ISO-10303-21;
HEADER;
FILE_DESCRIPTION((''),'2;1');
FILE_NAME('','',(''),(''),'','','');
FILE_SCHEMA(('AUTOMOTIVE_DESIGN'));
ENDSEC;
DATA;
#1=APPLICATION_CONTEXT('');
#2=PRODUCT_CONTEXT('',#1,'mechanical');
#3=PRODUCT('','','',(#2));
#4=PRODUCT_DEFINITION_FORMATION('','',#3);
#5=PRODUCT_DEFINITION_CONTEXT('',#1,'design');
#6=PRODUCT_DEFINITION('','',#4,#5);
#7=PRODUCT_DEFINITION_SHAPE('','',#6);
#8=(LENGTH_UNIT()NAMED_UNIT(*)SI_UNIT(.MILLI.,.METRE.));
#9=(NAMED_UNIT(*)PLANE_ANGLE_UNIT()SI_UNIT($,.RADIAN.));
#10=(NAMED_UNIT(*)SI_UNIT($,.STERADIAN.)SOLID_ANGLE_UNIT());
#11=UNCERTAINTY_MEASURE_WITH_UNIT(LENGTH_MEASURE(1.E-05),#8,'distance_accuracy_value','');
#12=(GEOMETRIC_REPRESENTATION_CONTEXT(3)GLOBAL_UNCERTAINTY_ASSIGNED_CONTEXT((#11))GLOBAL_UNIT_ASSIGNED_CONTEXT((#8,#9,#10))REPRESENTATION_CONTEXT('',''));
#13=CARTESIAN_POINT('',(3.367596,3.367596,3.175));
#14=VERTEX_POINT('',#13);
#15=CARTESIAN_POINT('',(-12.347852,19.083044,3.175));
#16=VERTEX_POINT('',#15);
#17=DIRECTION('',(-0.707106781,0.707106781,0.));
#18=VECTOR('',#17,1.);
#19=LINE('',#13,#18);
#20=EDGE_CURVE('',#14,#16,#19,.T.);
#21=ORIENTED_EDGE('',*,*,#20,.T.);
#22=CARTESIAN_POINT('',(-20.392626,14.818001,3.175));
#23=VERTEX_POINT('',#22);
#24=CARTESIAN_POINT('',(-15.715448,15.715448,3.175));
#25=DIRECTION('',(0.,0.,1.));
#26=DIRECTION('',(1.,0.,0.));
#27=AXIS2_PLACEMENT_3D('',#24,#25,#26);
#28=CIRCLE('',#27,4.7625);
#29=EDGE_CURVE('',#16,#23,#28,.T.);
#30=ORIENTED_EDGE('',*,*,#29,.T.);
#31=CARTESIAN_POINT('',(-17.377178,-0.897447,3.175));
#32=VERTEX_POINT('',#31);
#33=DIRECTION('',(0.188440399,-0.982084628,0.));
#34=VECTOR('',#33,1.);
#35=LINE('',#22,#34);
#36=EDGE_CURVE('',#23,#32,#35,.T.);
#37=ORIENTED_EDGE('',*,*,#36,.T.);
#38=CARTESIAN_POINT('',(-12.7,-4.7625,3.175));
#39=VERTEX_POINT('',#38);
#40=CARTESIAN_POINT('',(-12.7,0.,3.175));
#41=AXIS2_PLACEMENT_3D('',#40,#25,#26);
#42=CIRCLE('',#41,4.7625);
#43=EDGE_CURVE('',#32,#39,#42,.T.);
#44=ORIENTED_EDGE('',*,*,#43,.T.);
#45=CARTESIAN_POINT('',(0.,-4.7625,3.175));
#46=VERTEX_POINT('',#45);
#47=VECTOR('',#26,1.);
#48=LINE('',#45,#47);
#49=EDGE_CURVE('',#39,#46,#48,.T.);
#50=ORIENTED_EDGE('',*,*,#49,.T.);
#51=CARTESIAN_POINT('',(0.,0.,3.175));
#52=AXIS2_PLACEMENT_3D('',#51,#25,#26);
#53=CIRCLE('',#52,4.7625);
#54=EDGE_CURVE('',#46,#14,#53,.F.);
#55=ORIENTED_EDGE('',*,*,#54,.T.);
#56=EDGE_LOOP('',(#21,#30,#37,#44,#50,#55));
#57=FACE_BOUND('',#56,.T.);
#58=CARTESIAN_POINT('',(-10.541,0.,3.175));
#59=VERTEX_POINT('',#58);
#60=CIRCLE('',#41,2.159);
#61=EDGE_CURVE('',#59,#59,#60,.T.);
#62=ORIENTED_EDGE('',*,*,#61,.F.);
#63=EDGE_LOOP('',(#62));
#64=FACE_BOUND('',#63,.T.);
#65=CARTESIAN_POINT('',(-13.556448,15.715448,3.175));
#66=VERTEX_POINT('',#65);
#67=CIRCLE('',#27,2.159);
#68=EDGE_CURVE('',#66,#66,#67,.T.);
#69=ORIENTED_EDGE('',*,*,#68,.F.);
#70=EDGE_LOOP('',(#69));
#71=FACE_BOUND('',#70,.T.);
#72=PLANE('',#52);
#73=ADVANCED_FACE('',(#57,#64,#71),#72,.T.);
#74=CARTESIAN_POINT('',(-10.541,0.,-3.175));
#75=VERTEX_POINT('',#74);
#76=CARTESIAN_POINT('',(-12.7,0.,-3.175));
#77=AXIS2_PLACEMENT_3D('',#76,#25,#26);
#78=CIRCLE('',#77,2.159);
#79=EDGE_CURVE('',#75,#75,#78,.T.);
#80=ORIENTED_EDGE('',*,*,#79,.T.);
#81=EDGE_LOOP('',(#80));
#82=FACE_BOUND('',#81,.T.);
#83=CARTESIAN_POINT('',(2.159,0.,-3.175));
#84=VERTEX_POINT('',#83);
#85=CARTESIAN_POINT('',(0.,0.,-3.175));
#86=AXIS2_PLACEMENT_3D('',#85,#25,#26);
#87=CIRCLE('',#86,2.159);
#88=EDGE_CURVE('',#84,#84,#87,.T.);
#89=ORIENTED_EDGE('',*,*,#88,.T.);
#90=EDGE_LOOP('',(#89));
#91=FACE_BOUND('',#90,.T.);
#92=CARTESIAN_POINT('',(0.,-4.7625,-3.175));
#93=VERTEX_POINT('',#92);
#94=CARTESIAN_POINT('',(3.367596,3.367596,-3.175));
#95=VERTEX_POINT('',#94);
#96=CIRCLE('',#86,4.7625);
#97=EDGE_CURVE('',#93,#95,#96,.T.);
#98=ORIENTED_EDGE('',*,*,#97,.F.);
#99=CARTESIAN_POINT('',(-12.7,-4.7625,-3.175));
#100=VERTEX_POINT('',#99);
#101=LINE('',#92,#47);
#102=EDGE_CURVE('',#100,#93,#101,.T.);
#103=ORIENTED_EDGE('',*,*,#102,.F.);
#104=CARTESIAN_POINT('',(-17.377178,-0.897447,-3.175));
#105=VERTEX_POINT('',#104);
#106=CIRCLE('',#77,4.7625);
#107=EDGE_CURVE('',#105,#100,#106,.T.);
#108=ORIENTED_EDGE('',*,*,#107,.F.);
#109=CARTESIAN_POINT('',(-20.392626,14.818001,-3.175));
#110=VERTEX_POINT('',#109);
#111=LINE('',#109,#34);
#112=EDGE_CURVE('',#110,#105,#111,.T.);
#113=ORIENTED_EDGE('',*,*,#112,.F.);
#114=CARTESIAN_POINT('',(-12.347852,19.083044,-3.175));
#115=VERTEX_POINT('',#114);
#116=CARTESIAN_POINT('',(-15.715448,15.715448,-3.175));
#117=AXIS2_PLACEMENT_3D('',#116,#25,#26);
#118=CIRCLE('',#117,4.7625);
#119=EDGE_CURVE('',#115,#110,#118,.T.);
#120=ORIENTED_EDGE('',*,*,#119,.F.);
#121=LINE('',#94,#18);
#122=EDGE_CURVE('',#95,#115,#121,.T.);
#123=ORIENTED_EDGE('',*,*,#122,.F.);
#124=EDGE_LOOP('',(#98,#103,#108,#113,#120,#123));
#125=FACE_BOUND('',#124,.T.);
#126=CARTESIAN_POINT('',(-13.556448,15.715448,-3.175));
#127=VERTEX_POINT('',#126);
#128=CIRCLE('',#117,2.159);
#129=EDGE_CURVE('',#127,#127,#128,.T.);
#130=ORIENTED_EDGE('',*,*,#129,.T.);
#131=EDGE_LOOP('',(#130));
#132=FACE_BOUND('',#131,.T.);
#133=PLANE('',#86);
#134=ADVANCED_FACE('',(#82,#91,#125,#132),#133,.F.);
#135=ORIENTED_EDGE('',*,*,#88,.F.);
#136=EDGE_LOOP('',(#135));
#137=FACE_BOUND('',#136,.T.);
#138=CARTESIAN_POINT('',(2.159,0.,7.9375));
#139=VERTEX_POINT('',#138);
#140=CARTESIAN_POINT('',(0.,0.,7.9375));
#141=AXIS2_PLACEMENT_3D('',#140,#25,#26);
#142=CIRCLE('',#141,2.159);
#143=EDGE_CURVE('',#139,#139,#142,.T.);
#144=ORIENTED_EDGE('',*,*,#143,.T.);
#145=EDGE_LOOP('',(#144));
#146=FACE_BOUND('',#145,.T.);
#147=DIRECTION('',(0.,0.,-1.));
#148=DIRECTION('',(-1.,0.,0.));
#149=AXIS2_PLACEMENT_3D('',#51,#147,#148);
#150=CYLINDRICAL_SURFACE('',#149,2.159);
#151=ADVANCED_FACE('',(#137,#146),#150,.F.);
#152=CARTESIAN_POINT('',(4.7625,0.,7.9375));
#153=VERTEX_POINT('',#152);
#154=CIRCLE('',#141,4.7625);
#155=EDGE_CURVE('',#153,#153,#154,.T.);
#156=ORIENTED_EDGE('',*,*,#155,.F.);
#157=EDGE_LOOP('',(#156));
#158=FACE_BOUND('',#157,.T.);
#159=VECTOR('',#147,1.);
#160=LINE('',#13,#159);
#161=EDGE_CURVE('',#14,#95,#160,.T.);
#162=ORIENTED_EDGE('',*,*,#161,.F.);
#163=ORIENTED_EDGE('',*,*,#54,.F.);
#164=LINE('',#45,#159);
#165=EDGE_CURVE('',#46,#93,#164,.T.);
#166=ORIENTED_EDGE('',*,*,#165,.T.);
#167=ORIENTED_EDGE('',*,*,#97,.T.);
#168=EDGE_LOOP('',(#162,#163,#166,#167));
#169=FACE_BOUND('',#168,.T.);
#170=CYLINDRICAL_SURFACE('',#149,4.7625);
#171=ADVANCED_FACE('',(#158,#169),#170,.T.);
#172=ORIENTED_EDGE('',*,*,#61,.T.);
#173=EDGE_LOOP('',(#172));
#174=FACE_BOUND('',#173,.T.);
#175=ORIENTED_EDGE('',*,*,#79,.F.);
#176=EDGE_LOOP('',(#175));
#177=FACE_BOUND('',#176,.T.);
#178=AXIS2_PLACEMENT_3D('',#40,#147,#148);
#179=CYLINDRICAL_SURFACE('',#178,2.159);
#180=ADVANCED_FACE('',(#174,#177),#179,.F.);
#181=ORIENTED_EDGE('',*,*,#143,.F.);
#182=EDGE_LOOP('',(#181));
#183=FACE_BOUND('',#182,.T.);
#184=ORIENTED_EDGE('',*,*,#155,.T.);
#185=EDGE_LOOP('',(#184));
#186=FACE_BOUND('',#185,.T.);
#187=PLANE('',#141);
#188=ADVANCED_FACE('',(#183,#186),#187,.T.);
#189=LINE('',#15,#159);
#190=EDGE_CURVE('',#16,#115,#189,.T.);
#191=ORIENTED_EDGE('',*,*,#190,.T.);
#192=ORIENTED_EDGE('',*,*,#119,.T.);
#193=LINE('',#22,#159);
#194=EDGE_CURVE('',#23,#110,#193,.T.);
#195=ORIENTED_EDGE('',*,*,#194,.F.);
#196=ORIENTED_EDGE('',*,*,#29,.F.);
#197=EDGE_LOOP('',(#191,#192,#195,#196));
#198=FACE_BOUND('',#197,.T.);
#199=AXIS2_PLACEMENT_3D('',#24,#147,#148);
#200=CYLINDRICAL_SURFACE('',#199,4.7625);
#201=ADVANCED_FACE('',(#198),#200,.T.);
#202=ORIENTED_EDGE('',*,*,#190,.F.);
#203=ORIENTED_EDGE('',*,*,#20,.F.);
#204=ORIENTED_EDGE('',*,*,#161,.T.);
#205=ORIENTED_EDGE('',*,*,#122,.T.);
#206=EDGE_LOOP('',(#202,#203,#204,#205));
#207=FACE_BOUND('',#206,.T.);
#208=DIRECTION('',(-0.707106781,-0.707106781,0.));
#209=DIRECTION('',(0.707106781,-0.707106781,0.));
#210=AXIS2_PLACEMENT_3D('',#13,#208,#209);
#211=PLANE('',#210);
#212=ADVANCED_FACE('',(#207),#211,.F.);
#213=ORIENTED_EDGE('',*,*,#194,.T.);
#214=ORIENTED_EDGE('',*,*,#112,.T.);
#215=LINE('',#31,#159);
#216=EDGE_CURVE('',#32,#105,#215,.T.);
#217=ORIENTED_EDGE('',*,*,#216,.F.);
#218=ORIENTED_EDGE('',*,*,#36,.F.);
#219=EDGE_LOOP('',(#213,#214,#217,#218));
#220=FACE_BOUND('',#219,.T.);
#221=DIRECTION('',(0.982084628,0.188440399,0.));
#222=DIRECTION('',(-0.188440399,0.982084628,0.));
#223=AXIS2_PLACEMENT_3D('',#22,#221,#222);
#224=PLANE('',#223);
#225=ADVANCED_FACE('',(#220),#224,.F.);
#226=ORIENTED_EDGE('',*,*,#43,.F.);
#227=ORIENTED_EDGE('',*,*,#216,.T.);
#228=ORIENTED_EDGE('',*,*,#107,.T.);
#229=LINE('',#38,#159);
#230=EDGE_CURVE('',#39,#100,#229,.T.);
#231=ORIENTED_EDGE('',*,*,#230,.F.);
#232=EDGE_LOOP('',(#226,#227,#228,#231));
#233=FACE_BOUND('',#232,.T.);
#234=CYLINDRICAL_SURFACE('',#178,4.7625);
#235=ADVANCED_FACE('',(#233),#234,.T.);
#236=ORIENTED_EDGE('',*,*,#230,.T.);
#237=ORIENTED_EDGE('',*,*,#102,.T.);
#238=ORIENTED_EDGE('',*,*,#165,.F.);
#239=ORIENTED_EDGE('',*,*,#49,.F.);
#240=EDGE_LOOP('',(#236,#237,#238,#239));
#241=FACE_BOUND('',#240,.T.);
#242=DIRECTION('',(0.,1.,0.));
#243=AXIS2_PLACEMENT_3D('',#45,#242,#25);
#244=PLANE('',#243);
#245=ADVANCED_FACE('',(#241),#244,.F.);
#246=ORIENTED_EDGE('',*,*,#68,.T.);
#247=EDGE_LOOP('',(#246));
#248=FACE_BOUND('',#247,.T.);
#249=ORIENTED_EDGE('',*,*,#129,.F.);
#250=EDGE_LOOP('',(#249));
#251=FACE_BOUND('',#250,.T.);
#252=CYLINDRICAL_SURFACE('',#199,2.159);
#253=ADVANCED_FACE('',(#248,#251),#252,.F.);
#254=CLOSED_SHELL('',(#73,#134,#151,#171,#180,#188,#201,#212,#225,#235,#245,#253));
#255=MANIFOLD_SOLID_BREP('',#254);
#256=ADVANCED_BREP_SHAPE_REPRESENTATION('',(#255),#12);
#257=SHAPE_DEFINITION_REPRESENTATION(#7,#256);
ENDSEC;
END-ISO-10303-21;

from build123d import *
from build123d.topology import SkipClean

# Parameters (mm, degrees)
SKETCH1_R           = 2.159
BOSS_EXTRUDE1_DEPTH = 3.175
SKETCH3_R           = 4.7625
SKETCH3_R_2         = 2.159
BOSS_EXTRUDE2_DEPTH = 4.7625


with BuildPart() as part:
    # Sketch1 → Boss-Extrude1 (new, symmetric)
    with BuildSketch(Plane.XY):
        with BuildLine():
            Line((0, -4.7625), (-12.7, -4.7625))
            ThreePointArc((-12.7, -4.7625), (-15.733752874, -3.67120549), (-17.377178039, -0.897447401))
            Line((-17.377178039, -0.897447401), (-20.392626251, 14.818000811))
            ThreePointArc((-20.392626251, 14.818000811), (-17.946232861, 19.923179917), (-12.347852166, 19.083044257))
            Line((-12.347852166, 19.083044257), (3.367596045, 3.367596045))
            ThreePointArc((3.367596045, 3.367596045), (4.399976274, -1.822529847), (0, -4.7625))
        make_face()
        with Locations((-12.7, 0)):
            Circle(SKETCH1_R, mode=Mode.SUBTRACT)
        with Locations((-15.715448212, 15.715448212)):
            Circle(SKETCH1_R, mode=Mode.SUBTRACT)
        Circle(SKETCH1_R, mode=Mode.SUBTRACT)
    extrude(amount=BOSS_EXTRUDE1_DEPTH, both=True)

    # Sketch3 → Boss-Extrude2 (add, symmetric)
    with SkipClean():  # the faces are left unmerged after this step: merging them gives an invalid solid
        with BuildSketch(Plane.XY.offset(3.175)):
            with Locations(Location((0, 0, 0), (0, 0, 270))):
                Circle(SKETCH3_R)
            Circle(SKETCH3_R_2, mode=Mode.SUBTRACT)
        extrude(amount=BOSS_EXTRUDE2_DEPTH, both=True)


solid = part.part
